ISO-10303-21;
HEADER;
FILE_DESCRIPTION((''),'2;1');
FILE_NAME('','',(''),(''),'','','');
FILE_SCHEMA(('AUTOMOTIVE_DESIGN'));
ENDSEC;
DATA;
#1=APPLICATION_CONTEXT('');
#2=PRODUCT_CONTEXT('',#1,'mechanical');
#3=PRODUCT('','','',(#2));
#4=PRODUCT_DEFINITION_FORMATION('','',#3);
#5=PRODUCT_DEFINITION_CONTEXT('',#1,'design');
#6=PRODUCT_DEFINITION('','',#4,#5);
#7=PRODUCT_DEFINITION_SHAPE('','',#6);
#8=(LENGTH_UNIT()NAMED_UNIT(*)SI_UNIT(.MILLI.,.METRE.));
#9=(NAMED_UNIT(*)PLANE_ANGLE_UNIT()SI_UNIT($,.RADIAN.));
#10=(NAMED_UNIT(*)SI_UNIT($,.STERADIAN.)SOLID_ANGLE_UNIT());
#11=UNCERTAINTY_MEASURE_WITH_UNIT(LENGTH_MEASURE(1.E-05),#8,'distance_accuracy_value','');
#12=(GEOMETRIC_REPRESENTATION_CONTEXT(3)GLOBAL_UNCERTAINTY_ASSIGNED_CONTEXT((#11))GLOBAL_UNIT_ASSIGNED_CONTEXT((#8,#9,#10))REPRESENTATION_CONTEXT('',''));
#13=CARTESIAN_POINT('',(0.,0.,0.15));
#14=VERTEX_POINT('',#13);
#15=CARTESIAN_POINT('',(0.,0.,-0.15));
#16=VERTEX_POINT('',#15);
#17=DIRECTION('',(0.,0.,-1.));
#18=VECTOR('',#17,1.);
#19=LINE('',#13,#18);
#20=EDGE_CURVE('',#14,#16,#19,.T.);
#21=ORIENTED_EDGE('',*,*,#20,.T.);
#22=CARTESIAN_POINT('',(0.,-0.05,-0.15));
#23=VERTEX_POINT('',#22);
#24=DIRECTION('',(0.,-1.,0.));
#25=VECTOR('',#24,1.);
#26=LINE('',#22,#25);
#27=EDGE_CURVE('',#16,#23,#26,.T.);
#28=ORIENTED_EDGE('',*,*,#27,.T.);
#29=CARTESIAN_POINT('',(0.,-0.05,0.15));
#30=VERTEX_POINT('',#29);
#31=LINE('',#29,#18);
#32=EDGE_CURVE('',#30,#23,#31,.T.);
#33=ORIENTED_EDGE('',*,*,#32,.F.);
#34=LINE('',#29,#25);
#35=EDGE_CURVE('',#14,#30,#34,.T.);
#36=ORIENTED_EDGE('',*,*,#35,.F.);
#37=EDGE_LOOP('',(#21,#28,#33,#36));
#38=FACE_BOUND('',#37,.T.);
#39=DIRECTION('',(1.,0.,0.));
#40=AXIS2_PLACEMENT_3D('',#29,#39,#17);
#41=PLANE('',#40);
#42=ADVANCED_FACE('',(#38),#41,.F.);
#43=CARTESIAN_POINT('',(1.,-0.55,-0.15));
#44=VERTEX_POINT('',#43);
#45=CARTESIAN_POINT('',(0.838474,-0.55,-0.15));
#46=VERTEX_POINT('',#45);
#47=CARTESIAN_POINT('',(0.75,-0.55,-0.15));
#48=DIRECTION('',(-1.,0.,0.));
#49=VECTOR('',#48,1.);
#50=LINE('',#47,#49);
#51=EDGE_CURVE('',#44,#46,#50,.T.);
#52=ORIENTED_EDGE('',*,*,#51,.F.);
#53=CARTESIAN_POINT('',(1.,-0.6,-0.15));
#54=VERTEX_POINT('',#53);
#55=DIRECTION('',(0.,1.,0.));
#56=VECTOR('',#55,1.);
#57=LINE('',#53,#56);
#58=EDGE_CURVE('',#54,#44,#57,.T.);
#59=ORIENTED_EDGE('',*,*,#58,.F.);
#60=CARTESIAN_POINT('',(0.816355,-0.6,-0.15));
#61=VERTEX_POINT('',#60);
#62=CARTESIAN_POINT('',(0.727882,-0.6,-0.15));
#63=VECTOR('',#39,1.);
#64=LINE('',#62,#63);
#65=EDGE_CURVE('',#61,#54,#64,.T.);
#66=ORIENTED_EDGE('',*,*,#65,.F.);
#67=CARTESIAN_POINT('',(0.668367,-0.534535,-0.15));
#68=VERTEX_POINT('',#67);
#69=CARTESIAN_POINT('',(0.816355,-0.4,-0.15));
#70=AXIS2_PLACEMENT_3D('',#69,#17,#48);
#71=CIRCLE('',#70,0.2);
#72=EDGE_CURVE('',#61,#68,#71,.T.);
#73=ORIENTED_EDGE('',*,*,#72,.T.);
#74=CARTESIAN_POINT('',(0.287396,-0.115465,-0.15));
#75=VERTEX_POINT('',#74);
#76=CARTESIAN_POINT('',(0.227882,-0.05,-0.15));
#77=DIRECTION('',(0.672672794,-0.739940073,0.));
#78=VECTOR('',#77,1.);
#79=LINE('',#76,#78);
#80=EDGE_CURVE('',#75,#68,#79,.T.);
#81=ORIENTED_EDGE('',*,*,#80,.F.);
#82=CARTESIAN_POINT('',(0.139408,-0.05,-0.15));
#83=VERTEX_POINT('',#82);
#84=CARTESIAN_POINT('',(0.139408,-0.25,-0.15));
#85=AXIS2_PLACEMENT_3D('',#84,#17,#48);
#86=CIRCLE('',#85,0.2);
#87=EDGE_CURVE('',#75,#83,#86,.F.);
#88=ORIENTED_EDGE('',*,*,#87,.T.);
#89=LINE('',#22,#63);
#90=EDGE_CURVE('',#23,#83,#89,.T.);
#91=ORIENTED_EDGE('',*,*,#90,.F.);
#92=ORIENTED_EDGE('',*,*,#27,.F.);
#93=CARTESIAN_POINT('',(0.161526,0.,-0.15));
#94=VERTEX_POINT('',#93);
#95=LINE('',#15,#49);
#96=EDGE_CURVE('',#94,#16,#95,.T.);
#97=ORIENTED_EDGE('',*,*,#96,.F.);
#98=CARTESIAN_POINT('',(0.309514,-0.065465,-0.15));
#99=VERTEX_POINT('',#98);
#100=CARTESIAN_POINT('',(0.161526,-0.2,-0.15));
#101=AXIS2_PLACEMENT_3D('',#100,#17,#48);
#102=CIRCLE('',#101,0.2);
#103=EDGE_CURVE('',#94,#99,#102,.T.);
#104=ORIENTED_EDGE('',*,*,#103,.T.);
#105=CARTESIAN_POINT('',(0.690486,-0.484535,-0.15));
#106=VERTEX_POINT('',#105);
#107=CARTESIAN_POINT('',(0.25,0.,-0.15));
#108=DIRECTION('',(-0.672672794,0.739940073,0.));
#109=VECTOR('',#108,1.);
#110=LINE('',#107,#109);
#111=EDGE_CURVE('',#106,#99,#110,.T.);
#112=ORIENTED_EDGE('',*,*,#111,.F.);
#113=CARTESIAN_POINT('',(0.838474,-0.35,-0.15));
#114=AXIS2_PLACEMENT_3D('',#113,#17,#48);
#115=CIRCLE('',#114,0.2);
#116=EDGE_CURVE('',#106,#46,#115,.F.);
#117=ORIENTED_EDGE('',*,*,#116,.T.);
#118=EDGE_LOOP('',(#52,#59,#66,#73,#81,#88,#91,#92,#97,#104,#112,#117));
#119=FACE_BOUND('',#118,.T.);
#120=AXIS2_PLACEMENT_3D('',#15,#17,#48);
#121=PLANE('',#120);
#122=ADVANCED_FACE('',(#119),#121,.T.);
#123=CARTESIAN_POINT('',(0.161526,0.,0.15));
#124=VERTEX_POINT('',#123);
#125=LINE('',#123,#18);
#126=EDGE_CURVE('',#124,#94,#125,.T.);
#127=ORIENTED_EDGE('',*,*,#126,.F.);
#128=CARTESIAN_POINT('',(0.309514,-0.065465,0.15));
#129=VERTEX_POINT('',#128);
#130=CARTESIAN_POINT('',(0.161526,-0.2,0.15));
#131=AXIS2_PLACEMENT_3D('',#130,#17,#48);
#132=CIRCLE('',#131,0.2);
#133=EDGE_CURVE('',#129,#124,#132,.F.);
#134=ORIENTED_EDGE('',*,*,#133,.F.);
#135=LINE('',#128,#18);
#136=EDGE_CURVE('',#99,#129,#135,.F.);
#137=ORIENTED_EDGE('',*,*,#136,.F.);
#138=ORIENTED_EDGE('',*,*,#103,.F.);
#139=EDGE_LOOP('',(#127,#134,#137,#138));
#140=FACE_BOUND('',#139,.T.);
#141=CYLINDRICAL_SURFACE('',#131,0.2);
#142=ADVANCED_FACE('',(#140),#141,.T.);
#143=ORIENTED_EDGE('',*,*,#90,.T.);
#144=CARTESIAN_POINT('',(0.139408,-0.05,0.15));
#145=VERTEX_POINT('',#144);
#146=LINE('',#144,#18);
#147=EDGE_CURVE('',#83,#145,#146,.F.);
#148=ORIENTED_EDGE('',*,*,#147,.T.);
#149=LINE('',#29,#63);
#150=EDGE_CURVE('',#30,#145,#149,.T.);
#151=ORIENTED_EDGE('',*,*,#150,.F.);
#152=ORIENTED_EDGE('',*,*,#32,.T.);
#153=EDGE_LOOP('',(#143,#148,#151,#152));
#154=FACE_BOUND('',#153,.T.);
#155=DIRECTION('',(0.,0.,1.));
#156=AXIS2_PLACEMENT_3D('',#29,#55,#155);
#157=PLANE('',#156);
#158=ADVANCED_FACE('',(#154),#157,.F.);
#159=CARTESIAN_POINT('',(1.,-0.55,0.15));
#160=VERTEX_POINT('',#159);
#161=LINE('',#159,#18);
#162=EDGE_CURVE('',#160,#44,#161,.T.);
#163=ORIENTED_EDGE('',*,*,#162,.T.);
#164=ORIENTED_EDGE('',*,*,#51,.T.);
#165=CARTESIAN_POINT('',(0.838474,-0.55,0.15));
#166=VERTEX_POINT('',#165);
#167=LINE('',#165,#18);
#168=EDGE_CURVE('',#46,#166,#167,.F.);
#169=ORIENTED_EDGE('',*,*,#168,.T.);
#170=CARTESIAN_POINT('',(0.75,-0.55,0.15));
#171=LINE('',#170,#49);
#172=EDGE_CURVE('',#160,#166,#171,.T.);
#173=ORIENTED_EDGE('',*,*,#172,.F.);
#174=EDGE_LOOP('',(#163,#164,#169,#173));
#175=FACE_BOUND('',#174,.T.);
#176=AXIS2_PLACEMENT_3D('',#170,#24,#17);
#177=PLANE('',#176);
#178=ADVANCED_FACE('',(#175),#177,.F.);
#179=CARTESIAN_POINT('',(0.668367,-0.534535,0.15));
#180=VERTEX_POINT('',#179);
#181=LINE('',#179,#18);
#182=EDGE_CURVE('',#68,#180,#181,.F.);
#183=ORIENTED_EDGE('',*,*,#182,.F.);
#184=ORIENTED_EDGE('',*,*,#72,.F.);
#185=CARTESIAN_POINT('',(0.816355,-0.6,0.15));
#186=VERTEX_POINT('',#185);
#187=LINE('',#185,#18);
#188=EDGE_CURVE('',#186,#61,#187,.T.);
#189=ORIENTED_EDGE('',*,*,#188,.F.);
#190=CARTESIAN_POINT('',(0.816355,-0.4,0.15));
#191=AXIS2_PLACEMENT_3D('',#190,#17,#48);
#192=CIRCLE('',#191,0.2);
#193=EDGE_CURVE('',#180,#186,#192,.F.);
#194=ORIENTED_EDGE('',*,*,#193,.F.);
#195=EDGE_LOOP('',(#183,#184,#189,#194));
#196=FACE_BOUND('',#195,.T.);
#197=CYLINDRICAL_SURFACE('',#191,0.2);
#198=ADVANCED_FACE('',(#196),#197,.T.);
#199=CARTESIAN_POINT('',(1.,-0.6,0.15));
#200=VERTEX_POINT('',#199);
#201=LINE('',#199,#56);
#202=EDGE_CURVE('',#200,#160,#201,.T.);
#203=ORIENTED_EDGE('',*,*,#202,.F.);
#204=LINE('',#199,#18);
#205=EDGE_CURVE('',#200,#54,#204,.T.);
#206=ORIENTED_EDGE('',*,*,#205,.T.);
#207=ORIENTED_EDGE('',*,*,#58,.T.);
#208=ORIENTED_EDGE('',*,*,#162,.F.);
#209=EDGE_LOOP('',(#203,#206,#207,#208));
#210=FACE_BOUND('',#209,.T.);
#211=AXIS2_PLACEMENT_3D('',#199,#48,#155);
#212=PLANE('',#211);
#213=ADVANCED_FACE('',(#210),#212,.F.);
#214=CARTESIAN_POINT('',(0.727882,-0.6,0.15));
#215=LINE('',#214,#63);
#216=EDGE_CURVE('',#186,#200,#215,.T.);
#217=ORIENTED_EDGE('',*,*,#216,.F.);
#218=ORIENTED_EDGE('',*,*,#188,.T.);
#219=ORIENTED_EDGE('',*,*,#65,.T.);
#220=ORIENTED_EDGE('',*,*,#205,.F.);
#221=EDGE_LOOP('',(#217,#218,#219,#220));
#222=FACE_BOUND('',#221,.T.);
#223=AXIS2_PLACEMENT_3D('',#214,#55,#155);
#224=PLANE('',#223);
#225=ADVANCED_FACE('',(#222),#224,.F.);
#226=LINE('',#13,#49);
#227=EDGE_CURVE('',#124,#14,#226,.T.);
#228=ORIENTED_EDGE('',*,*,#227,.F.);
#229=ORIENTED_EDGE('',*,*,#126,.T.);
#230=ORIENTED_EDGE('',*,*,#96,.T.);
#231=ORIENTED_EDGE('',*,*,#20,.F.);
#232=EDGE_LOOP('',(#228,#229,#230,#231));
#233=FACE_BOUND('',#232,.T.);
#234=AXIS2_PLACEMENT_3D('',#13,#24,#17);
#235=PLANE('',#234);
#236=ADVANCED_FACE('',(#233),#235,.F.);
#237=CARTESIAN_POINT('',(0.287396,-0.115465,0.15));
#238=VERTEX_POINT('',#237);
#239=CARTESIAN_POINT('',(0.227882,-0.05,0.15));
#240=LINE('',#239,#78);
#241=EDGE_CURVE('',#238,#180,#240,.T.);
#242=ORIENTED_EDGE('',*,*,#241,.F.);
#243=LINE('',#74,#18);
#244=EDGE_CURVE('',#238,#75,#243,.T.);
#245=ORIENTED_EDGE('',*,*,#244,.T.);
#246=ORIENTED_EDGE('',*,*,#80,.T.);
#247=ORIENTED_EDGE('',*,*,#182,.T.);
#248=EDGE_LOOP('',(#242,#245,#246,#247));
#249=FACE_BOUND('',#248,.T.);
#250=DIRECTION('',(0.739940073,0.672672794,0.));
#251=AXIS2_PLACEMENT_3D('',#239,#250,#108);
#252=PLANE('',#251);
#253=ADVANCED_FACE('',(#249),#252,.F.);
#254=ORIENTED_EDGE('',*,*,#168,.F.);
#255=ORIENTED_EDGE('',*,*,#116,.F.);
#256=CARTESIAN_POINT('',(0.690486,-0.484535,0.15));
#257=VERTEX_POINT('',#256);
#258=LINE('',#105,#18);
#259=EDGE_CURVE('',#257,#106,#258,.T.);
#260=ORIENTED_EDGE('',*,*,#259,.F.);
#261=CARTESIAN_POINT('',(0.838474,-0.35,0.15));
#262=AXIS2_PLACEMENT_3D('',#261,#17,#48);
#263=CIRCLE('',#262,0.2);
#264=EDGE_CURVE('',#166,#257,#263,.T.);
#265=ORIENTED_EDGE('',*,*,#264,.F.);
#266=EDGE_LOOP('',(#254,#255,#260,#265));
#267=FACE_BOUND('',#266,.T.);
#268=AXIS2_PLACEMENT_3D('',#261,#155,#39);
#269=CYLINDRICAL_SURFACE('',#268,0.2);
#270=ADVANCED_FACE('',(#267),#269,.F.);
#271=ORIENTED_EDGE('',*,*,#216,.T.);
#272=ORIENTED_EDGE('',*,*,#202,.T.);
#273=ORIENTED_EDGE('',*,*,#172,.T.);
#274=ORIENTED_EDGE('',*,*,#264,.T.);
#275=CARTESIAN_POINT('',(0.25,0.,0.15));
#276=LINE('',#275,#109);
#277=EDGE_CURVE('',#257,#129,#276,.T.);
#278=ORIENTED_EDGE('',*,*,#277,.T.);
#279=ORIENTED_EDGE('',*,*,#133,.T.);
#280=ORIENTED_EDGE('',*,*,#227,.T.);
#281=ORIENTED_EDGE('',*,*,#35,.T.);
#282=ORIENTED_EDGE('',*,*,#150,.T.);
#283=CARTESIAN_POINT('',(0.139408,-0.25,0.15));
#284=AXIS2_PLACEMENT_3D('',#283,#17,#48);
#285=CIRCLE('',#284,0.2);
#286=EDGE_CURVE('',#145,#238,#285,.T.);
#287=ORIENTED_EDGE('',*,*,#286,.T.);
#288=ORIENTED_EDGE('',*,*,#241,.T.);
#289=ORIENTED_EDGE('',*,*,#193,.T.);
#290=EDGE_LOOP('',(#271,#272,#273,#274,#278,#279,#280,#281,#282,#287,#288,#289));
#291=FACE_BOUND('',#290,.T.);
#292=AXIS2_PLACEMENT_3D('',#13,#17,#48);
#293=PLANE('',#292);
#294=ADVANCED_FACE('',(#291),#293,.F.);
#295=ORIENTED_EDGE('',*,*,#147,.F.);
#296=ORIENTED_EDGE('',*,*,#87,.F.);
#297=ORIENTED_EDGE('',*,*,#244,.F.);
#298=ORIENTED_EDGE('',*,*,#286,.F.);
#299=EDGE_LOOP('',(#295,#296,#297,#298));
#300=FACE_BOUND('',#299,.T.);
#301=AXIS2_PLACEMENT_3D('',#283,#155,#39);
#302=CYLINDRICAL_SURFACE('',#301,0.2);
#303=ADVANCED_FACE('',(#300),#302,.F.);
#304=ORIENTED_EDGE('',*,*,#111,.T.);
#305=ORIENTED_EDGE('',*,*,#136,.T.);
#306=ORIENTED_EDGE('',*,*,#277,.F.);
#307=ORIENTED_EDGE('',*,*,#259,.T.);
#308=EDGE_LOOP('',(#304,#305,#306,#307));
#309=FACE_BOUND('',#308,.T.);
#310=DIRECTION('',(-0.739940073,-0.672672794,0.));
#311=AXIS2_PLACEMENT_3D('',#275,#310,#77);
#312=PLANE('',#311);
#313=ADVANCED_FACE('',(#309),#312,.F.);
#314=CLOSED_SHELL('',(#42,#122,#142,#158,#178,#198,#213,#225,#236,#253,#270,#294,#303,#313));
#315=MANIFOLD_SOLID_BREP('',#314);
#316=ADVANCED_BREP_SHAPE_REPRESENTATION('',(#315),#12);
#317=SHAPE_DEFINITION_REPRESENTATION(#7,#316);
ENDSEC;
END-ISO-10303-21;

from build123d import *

# Parameters (mm, degrees)
BOSS_EXTRUDE1_DEPTH = 0.15
FILLET4_R           = 0.2


with BuildPart() as part:
    # Sketch4 → Boss-Extrude1 (new body, symmetric)
    with BuildSketch(Plane.XY):
        Polygon((0, 0), (0.25, 0), (0.75, -0.55), (1, -0.55), (1, -0.6), (0.727881506, -0.6), (0.227881506, -0.05), (0, -0.05), align=None)
    extrude(amount=BOSS_EXTRUDE1_DEPTH, both=True)

    # Fillet4
    fillet4_edges = [part.edges().sort_by_distance(p)[0] for p in [
        (0.25, 0, 0),
        (0.75, -0.55, 0),
        (0.727881506, -0.6, 0),
        (0.227881506, -0.05, 0),
    ]]
    fillet(fillet4_edges, radius=FILLET4_R)


solid = part.part
